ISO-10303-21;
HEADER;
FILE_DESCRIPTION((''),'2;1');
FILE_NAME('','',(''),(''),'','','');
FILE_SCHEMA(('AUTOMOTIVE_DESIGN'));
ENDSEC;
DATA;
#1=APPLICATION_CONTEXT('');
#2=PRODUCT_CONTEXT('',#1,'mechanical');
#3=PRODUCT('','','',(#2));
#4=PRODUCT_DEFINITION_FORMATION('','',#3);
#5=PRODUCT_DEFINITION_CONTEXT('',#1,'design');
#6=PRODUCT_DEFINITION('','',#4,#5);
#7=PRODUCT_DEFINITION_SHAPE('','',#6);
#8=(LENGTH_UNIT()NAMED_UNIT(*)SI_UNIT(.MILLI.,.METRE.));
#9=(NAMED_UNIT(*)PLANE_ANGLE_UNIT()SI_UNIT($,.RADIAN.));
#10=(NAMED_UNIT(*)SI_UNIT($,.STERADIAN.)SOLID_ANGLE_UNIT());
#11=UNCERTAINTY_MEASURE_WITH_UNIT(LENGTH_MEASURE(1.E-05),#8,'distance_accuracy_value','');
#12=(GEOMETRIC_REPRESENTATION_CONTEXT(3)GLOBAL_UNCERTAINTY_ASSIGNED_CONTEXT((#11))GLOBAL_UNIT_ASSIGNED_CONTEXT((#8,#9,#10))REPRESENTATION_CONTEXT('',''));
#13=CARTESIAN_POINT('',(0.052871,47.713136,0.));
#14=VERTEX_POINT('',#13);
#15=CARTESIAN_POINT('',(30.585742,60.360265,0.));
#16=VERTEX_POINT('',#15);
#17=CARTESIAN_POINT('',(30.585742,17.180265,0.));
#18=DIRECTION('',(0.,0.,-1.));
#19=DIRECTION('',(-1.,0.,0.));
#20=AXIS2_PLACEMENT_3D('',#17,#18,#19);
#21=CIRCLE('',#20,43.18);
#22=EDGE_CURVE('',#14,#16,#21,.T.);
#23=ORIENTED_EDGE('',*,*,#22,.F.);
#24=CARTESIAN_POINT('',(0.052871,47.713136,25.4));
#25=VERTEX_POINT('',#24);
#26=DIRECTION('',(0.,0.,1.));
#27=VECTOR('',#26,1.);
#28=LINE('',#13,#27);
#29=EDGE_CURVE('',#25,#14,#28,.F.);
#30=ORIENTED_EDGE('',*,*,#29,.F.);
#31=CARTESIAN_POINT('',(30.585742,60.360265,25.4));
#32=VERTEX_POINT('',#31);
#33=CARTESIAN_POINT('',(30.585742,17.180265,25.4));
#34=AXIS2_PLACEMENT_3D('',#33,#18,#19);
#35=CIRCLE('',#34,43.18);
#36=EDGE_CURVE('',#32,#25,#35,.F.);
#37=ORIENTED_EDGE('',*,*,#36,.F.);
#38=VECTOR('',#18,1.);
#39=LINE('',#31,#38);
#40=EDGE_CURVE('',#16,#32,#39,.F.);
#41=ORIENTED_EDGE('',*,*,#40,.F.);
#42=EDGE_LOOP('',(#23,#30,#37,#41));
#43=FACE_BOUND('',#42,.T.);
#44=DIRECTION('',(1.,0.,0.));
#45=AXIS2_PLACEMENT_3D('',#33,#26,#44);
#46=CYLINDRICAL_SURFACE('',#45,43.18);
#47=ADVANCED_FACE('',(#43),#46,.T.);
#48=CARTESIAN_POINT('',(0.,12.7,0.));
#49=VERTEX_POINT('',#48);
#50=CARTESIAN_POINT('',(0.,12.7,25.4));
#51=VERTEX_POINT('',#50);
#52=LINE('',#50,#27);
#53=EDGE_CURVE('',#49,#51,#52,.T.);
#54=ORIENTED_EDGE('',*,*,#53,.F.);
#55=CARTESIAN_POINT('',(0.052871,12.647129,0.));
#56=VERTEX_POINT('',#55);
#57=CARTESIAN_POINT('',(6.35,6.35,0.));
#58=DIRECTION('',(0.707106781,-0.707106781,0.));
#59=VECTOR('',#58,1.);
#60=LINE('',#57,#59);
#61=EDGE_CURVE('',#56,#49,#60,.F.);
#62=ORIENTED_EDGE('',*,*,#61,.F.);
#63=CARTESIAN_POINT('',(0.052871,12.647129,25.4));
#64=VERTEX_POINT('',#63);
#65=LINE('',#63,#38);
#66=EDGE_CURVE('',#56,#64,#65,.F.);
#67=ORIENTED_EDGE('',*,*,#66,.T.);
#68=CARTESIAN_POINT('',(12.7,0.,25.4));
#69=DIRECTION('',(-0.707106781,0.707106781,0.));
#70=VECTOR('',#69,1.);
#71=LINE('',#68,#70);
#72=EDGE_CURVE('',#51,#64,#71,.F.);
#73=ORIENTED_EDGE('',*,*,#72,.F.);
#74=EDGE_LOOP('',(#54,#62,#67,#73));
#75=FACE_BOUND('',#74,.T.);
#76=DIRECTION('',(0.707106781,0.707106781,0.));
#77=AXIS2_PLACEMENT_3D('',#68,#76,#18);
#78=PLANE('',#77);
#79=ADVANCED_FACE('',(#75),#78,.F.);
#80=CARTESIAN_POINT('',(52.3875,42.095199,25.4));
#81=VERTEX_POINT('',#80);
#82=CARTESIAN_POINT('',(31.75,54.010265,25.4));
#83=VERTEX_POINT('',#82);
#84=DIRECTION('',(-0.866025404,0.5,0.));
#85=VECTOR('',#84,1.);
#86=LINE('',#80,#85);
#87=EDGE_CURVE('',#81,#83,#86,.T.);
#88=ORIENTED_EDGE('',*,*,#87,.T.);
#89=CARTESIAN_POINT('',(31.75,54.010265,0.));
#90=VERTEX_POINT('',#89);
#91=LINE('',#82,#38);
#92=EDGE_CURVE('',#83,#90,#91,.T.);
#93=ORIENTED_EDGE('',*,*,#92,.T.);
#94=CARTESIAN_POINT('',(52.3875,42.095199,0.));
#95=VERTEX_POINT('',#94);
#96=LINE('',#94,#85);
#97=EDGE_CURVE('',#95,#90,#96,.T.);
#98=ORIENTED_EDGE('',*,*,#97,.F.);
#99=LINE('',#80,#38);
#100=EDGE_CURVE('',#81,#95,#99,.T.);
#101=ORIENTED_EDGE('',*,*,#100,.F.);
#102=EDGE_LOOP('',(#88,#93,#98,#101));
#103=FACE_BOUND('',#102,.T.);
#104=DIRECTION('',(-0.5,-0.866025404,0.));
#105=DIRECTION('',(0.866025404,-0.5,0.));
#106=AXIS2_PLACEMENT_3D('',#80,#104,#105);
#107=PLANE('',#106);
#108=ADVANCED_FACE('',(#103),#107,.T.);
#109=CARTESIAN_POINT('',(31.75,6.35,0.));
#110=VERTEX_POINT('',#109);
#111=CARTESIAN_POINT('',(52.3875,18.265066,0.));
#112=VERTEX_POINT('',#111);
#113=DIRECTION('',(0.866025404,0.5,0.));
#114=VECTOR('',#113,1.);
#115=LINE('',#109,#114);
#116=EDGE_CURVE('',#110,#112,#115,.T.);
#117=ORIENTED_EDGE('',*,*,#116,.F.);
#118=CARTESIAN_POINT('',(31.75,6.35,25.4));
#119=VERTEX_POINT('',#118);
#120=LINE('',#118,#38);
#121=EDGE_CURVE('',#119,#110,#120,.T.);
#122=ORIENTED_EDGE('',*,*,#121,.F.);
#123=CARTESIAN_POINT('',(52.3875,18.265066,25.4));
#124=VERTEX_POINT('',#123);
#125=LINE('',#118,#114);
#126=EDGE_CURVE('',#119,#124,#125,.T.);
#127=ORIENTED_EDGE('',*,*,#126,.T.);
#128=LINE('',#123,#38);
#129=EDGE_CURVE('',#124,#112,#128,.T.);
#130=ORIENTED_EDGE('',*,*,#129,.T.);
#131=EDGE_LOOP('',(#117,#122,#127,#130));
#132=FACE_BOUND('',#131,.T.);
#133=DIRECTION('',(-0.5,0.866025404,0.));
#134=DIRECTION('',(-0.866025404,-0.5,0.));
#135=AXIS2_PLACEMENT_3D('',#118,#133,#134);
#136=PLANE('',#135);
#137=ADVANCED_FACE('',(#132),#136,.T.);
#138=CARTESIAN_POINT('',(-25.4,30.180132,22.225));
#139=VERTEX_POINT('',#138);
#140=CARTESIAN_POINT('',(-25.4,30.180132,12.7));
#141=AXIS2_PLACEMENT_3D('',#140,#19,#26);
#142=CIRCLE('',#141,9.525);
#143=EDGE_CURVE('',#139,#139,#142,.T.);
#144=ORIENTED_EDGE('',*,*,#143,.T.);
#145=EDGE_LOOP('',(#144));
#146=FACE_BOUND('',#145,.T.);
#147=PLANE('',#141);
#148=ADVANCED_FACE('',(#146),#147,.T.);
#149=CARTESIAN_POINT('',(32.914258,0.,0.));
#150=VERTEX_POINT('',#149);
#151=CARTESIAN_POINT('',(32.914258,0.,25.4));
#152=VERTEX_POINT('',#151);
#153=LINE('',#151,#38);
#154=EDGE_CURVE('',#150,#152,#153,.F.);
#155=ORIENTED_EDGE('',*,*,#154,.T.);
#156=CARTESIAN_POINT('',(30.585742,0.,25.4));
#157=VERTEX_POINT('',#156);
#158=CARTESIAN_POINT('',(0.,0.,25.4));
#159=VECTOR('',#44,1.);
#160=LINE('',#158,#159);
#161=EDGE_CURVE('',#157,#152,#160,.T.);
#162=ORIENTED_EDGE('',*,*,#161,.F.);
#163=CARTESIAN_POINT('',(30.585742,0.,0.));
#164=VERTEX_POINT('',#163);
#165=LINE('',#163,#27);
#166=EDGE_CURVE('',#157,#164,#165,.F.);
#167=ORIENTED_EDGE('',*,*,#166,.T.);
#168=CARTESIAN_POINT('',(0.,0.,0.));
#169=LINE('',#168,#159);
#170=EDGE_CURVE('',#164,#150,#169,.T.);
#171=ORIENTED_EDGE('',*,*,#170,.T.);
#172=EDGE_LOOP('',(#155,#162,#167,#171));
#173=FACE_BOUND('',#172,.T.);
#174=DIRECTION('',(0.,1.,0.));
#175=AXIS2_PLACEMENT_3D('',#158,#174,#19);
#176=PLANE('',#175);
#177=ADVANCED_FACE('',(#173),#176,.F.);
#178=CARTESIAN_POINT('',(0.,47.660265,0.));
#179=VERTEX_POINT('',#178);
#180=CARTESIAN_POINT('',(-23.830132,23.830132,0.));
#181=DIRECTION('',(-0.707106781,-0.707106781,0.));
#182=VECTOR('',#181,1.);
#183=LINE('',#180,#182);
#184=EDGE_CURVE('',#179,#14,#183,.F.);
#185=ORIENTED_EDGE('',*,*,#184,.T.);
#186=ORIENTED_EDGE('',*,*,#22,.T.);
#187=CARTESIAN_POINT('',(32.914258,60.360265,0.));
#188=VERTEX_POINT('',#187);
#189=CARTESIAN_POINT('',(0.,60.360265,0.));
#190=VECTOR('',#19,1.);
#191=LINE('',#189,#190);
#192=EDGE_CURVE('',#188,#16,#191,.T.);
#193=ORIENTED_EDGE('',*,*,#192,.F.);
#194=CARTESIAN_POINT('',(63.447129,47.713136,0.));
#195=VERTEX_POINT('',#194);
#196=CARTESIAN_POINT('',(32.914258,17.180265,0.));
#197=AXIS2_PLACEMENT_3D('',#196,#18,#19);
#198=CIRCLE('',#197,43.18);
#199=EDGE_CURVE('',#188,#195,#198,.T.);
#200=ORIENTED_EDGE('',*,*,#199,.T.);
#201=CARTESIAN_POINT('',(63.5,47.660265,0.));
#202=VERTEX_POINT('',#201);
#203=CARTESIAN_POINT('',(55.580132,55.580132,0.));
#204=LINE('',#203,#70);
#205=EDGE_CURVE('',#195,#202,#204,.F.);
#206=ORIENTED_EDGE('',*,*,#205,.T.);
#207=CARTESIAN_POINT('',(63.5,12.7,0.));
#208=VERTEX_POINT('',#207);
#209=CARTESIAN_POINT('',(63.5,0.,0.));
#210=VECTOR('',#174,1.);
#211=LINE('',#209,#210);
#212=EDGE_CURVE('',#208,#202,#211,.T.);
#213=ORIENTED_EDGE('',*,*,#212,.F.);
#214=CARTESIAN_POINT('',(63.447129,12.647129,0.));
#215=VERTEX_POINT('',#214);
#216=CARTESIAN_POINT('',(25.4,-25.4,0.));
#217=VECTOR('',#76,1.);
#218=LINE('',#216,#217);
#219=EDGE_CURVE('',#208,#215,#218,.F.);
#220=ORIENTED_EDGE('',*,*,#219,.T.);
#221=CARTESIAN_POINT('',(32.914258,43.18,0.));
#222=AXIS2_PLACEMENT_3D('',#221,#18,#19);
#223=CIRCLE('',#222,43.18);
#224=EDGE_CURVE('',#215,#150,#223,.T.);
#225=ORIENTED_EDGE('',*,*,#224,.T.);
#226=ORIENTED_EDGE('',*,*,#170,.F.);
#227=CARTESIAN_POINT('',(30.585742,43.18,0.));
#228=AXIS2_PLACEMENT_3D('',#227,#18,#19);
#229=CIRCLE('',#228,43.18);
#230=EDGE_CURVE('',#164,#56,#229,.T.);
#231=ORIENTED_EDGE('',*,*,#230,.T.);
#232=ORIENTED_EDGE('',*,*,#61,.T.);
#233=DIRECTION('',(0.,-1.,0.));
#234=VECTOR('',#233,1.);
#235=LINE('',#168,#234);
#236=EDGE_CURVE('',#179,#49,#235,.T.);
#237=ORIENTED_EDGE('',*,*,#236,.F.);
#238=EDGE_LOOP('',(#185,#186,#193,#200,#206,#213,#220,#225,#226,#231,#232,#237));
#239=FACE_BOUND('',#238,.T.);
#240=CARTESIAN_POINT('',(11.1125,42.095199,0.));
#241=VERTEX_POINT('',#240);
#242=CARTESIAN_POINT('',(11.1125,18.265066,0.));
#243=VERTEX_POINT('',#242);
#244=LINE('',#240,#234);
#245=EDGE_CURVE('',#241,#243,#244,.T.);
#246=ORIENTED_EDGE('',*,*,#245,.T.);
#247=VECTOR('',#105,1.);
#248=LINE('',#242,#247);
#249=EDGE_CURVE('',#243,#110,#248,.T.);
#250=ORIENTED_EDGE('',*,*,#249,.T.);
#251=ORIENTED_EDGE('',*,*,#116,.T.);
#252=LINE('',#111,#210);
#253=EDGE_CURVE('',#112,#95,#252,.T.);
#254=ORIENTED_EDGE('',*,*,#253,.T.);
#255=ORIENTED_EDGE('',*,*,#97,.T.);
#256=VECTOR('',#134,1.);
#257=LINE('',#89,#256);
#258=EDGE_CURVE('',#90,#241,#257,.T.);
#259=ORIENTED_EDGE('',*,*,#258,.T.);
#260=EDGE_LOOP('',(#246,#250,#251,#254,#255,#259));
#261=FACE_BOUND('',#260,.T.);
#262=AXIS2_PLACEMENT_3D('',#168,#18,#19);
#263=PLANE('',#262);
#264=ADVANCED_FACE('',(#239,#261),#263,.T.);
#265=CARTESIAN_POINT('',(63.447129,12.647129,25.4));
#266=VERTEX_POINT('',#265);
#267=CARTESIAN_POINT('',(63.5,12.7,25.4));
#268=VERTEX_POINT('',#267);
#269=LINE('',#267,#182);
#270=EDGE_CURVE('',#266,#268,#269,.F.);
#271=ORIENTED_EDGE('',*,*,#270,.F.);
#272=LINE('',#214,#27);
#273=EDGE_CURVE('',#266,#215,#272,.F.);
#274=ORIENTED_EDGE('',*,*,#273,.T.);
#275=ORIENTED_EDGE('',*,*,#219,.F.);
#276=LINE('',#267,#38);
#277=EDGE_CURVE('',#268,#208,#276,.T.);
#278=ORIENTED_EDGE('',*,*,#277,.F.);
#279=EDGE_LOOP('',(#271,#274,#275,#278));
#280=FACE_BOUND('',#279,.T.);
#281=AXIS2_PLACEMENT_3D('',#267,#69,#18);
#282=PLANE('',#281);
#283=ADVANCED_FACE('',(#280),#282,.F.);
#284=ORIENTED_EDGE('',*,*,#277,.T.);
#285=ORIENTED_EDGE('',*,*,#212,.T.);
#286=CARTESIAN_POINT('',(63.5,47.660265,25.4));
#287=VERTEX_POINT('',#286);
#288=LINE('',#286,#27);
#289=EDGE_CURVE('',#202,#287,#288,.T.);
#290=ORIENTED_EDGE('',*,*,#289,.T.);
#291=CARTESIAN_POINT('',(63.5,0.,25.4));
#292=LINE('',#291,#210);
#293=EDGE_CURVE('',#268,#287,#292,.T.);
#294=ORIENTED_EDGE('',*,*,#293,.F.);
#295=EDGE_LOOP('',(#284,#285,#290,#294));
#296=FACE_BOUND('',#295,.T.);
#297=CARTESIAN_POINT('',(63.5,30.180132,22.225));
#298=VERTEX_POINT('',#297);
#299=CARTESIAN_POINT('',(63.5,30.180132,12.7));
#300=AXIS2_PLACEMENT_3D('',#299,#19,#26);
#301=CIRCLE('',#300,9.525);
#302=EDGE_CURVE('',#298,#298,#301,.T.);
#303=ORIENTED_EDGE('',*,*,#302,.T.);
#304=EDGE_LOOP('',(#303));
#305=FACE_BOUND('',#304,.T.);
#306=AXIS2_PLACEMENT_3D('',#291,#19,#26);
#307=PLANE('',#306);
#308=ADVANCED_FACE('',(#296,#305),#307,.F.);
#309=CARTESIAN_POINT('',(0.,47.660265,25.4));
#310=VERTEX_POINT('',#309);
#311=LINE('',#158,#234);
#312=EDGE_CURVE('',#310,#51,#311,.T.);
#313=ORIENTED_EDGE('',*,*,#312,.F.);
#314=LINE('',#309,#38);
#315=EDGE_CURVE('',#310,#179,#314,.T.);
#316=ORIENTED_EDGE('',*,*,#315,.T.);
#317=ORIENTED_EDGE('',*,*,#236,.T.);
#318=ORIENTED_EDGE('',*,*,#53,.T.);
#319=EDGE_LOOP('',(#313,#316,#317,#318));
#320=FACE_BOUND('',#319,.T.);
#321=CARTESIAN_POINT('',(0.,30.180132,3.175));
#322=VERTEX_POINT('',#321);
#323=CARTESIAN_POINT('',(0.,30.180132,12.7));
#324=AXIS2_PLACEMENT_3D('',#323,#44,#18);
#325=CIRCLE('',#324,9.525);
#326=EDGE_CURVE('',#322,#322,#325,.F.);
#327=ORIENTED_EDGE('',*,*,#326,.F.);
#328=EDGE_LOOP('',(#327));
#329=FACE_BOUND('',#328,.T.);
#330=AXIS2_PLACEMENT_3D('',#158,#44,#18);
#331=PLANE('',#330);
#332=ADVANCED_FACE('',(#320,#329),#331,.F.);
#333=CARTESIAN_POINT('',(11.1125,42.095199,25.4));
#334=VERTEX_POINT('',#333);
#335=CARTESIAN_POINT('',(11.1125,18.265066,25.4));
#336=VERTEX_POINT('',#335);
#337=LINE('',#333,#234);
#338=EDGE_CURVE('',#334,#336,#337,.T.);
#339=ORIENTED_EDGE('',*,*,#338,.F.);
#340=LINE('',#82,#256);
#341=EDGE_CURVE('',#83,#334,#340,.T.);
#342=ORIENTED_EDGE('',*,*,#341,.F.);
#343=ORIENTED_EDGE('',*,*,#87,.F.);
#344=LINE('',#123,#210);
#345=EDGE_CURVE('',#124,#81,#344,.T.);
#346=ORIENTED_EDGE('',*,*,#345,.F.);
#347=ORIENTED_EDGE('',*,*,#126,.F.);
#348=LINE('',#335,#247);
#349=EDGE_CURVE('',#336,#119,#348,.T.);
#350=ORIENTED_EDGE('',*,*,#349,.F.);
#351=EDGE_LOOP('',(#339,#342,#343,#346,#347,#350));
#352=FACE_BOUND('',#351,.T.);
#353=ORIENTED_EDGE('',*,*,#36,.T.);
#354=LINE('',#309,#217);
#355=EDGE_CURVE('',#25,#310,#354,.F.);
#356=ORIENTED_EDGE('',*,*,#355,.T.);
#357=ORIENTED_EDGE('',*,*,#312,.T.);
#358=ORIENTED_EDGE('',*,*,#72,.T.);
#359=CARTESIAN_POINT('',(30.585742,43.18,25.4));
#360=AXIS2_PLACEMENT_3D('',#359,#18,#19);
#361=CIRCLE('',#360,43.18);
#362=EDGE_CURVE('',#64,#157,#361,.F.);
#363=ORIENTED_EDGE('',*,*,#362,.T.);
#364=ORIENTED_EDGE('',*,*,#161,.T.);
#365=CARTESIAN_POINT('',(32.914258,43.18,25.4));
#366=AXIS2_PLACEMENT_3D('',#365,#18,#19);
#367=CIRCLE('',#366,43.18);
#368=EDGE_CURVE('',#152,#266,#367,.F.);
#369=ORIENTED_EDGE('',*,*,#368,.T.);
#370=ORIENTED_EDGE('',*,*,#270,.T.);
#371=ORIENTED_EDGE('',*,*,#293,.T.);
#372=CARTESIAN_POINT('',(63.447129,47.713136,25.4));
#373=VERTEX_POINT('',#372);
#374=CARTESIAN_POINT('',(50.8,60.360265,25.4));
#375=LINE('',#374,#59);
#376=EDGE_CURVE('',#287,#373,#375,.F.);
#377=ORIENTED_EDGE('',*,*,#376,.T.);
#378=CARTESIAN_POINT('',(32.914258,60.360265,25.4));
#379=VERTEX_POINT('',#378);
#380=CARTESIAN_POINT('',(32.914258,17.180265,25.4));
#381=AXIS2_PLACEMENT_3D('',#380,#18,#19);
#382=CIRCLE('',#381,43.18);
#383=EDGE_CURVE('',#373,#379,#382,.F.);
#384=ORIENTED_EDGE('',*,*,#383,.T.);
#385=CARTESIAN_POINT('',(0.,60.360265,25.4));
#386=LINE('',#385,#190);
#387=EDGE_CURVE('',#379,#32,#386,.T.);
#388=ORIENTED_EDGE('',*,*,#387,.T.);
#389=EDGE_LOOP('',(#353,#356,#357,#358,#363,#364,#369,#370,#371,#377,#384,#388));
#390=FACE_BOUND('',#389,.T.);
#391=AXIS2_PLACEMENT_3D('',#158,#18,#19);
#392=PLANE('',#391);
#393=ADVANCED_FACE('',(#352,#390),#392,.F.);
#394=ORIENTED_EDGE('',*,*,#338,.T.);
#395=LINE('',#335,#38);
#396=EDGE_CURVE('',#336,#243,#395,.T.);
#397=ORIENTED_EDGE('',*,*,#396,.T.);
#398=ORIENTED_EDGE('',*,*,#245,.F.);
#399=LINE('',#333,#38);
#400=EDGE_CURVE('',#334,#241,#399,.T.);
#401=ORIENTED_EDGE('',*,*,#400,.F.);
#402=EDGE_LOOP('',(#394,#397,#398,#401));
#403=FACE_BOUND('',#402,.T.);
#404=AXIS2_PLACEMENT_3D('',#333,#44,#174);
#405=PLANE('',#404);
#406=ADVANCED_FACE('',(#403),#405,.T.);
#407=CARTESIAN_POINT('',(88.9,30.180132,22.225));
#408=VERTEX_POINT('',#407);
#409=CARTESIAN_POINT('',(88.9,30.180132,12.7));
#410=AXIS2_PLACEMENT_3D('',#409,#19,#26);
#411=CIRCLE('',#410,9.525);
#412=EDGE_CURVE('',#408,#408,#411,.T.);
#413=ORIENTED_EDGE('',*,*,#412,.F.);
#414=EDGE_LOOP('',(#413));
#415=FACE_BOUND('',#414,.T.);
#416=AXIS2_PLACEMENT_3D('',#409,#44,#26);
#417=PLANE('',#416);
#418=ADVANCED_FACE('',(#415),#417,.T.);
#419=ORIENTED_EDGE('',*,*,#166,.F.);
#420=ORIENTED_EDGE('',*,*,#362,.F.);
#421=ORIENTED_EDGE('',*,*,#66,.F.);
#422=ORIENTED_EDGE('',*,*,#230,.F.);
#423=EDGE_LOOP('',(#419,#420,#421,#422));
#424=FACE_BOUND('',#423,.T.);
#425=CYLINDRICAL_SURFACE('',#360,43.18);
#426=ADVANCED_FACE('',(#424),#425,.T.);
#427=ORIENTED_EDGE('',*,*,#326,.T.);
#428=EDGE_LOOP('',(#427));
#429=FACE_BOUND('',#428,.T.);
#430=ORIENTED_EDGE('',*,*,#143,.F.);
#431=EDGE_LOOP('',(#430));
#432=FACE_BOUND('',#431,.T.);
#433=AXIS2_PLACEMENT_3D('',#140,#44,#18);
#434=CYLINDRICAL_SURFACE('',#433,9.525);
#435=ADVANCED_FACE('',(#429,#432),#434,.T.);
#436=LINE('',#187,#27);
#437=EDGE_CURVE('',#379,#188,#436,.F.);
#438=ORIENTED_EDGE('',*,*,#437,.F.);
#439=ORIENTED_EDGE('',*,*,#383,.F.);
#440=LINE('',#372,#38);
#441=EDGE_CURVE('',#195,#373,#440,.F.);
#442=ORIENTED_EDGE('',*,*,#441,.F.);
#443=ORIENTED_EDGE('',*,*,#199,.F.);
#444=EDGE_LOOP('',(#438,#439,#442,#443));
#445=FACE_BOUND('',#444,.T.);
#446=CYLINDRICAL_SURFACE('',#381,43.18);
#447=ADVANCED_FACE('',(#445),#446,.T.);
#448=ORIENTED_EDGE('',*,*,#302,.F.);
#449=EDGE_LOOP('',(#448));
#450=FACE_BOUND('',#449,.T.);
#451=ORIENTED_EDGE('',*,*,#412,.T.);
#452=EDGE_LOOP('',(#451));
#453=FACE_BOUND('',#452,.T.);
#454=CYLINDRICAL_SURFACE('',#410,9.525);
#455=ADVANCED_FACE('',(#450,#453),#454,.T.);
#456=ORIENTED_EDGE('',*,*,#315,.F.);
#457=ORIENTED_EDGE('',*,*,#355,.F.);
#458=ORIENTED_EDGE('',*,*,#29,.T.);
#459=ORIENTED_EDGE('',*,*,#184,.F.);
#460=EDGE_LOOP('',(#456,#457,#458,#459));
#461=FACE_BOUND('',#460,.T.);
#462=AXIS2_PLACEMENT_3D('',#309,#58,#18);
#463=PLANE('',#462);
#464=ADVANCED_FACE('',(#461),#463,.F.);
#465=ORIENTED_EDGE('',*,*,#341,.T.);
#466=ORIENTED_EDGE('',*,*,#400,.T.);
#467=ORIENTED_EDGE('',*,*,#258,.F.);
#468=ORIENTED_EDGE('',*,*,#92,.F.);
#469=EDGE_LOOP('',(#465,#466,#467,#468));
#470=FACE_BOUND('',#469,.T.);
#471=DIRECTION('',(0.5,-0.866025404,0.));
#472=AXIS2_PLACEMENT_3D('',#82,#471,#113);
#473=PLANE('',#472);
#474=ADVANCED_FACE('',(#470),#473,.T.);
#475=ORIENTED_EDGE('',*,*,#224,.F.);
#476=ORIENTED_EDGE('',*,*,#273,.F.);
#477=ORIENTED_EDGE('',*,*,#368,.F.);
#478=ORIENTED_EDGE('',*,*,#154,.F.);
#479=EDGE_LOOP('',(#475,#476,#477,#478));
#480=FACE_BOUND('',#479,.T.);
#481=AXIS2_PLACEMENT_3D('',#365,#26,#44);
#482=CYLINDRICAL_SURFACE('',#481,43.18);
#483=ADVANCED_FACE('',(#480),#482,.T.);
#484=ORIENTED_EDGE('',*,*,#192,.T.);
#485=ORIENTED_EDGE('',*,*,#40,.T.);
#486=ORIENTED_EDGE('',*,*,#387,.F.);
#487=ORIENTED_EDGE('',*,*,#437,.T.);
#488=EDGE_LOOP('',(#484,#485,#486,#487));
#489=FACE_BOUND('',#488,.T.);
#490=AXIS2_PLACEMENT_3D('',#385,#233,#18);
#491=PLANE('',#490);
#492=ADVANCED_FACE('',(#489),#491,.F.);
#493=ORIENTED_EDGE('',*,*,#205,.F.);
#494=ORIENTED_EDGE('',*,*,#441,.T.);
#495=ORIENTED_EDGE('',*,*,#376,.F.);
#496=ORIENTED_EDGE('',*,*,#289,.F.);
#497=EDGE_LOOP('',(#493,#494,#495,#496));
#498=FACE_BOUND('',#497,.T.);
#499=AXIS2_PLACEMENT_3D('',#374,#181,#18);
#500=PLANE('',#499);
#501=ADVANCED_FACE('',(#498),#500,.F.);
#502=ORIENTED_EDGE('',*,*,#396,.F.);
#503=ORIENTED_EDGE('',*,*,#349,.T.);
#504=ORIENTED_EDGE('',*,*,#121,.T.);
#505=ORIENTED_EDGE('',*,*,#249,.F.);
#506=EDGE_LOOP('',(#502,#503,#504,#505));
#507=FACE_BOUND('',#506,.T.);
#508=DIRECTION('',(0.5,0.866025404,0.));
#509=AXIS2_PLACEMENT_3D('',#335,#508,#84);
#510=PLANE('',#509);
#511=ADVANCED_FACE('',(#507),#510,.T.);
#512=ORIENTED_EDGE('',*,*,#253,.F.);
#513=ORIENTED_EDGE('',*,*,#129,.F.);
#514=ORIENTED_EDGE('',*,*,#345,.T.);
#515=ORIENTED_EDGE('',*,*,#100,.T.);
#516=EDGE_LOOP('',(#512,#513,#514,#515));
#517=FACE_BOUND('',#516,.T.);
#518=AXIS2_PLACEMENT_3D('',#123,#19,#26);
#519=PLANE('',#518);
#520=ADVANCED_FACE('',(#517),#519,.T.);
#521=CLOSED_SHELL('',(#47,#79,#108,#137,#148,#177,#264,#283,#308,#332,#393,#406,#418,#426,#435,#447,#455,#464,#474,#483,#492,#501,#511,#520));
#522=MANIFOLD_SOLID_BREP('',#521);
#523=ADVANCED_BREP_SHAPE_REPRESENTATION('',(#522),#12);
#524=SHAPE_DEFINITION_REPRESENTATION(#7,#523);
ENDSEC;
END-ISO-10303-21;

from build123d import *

# Parameters (mm, degrees)
SKETCH1_W           = 63.5
SKETCH1_H           = 60.360264722
BOSS_EXTRUDE1_DEPTH = 25.4
CHAMFER1_SIZE       = 12.7
SKETCH2_R           = 9.525
BOSS_EXTRUDE2_DEPTH = 25.4
FILLET1_R           = 43.18


with BuildPart() as part:
    # Sketch1 → Boss-Extrude1 (new body)
    with BuildSketch(Plane.XY):
        with Locations((31.75, 30.180132361)):
            Rectangle(SKETCH1_W, SKETCH1_H)
        Polygon((11.1125, 42.095198541), (11.1125, 18.26506618), (31.75, 6.35), (52.3875, 18.26506618), (52.3875, 42.095198541), (31.75, 54.010264722), align=None, mode=Mode.SUBTRACT)
    extrude(amount=BOSS_EXTRUDE1_DEPTH)

    # Chamfer1
    chamfer1_edges = [part.edges().sort_by_distance(p)[0] for p in [
        (0, 60.360264722, 12.7),
        (63.5, 60.360264722, 12.7),
        (63.5, 0, 12.7),
        (0, 0, 12.7),
    ]]
    chamfer(chamfer1_edges, length=CHAMFER1_SIZE)

    # Sketch2 → Boss-Extrude2 (add)
    with BuildSketch(Plane.ZY):
        with Locations((12.7, 30.180132361)):
            Circle(SKETCH2_R)
    boss_extrude2 = extrude(amount=BOSS_EXTRUDE2_DEPTH)

    # Mirror1: Boss-Extrude2 across plane
    add(boss_extrude2.mirror(Plane(origin=(31.75, 0, 0), x_dir=(0, 0, 1), z_dir=(1, 0, 0))))

    # Fillet1
    fillet1_edges = [part.edges().sort_by_distance(p)[0] for p in [
        (12.7, 60.360264722, 12.7),
        (50.8, 60.360264722, 12.7),
        (12.7, 0, 12.7),
        (50.8, 0, 12.7),
    ]]
    fillet(fillet1_edges, radius=FILLET1_R)


solid = part.part
